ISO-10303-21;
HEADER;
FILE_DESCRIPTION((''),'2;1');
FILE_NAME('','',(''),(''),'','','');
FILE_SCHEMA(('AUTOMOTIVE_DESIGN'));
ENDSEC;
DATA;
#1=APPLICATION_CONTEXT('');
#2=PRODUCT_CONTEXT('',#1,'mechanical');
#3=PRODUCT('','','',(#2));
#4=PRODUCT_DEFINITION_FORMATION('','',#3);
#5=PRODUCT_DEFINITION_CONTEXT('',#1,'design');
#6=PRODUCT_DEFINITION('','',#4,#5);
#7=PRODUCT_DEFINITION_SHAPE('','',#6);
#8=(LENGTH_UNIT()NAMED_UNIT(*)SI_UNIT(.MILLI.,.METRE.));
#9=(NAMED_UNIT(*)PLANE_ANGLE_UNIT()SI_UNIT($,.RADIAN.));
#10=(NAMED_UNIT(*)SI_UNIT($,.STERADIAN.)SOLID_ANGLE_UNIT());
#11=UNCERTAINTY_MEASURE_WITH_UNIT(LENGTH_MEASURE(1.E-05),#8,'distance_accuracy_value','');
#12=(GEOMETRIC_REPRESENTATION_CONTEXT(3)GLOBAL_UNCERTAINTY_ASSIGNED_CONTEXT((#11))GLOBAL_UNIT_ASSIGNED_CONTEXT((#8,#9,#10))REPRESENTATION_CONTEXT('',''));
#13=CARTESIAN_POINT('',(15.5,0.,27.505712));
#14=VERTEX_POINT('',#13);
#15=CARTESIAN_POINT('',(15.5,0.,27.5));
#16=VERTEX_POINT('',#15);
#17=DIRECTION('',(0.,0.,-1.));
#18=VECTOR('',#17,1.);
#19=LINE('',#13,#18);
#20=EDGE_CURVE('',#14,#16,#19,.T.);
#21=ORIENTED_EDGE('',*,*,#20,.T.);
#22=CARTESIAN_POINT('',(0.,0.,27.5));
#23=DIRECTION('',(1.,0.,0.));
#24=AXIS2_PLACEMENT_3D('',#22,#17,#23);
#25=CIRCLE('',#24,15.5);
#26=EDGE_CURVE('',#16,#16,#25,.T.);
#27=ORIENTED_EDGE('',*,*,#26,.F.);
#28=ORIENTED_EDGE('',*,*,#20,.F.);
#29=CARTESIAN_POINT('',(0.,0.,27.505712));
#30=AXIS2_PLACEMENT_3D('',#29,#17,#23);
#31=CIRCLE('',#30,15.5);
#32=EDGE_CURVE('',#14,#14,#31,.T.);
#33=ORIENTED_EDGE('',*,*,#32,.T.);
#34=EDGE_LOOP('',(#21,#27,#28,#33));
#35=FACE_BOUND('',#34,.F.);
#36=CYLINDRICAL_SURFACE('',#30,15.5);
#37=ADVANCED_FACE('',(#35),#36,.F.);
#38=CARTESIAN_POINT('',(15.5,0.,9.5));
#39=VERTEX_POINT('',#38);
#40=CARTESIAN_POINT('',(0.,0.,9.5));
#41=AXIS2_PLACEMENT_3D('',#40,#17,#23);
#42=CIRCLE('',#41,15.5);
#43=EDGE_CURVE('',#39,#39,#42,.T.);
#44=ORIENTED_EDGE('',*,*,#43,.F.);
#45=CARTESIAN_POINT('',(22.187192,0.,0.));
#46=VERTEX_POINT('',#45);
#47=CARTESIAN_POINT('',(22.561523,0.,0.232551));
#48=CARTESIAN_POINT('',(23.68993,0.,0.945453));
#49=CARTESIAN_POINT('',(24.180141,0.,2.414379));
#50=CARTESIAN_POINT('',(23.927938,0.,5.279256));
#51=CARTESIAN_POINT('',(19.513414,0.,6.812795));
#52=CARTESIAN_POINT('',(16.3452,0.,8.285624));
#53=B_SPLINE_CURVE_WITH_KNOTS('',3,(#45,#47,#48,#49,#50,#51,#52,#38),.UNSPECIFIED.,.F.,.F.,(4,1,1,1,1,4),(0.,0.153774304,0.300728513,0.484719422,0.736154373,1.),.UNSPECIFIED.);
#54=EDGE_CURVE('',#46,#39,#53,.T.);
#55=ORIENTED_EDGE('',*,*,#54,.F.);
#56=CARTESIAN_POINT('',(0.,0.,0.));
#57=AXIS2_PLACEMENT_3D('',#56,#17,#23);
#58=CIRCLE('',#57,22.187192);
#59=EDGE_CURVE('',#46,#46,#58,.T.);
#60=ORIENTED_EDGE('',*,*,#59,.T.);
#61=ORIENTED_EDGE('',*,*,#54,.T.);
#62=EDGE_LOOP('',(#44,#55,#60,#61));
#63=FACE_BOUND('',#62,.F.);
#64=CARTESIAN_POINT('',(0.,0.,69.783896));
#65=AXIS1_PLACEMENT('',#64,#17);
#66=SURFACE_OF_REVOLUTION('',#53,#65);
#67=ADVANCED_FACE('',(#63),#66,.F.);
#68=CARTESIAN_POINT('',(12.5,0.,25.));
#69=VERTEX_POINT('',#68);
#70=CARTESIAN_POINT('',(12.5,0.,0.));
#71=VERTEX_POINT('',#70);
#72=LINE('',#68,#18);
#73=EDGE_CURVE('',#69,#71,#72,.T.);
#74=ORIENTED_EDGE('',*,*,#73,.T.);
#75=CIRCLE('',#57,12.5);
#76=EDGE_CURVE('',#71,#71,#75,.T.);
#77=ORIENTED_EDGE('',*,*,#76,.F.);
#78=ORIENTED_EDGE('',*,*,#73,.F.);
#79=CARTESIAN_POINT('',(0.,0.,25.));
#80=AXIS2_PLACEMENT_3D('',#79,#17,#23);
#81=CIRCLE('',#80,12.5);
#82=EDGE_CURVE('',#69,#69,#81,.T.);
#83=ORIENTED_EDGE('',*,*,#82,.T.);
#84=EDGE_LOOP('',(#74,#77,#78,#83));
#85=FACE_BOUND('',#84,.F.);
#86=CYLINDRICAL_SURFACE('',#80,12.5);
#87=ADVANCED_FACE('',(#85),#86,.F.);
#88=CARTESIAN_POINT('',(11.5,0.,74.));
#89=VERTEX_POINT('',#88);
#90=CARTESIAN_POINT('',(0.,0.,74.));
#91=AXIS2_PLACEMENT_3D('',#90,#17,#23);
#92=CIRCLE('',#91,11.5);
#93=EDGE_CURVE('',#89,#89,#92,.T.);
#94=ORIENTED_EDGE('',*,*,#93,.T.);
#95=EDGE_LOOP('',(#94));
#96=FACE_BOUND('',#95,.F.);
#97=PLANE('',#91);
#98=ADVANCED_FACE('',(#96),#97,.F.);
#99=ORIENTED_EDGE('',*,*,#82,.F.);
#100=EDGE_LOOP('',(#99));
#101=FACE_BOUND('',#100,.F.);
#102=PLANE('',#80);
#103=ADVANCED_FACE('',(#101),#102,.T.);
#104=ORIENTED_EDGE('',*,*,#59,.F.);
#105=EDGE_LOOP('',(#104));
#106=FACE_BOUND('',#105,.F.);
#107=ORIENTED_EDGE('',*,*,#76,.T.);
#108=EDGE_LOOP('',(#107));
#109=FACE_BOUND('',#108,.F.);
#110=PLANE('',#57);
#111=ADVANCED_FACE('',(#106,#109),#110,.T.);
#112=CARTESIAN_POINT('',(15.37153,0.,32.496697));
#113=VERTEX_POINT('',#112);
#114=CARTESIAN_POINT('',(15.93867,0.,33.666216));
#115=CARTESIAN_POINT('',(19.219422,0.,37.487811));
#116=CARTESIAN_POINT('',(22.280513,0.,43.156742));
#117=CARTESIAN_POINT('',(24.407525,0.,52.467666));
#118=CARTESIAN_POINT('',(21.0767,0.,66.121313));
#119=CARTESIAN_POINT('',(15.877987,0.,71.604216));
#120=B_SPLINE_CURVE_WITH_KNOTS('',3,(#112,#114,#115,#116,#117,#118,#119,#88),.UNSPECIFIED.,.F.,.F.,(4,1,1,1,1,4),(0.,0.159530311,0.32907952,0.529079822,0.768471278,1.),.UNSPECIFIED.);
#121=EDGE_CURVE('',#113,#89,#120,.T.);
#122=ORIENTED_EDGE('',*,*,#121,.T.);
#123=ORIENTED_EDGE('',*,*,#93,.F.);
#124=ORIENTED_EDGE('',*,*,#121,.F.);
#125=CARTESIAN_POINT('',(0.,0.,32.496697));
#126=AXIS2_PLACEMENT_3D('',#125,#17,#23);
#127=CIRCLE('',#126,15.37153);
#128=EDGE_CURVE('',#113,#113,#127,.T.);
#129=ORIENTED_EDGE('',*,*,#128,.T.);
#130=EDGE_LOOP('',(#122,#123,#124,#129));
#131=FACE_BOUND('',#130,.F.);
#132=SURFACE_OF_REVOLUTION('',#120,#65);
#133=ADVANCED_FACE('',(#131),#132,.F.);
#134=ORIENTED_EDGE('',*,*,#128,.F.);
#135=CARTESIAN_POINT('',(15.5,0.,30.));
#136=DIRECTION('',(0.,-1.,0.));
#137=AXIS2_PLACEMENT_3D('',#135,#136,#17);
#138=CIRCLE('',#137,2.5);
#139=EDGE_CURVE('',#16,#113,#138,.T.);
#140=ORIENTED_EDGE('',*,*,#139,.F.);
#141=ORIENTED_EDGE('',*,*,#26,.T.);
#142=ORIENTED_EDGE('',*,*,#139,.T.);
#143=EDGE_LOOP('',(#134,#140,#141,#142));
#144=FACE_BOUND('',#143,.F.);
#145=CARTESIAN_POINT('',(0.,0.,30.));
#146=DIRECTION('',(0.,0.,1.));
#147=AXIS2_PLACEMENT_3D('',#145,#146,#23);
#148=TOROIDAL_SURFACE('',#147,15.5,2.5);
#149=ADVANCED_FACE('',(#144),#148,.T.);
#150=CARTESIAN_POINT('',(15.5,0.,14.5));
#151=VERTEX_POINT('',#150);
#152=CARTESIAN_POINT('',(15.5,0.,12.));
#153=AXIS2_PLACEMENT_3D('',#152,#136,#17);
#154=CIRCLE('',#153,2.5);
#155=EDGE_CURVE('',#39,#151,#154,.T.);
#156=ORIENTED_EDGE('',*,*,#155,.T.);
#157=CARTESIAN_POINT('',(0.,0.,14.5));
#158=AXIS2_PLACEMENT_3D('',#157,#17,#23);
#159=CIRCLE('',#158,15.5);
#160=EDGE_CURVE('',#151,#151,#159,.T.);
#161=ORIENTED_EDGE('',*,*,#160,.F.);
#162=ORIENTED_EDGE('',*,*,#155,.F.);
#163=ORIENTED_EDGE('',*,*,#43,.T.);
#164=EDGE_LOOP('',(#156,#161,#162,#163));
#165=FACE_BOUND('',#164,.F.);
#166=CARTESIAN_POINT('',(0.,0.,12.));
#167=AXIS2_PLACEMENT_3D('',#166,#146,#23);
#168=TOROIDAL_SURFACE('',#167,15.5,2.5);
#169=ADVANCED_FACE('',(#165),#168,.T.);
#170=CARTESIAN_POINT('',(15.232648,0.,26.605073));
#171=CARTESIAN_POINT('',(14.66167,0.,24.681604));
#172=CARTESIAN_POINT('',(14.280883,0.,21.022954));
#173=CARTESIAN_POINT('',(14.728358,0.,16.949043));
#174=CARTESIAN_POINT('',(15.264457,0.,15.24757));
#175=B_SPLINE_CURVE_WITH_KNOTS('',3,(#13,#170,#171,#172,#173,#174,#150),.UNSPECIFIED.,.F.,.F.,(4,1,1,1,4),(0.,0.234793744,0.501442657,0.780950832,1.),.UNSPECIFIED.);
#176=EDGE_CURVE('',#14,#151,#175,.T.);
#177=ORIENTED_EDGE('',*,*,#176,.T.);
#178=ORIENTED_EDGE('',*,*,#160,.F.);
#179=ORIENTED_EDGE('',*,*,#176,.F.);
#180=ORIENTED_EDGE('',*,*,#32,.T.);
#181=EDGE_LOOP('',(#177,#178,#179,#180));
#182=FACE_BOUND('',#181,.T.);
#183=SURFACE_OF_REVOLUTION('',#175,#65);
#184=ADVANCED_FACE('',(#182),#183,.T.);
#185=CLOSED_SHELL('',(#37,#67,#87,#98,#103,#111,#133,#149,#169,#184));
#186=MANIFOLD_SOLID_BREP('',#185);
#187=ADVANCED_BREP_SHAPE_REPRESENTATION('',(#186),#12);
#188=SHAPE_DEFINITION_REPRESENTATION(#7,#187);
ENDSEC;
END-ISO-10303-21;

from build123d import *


with BuildPart() as f1:
    # F0 (on Front) → F1 (revolve)
    with BuildSketch(Plane.XZ):
        with BuildLine():
            Line((15.5, 27.5057116947), (15.5, 27.5))
            ThreePointArc((15.5, 27.5), (17.9991740891, 30.0642563011), (15.3715298538, 32.4966969022))
            add(Edge.make_bspline(
                [(15.3715298538, 32.4966969022), (15.9386695207, 33.6662155254), (19.2194224752, 37.4878109651), (22.2805130067, 43.1567415406), (24.4075251322, 52.4676664418), (21.0766995407, 66.121313167), (15.8779870532, 71.6042161228), (11.5, 74)],
                knots=[0, 0, 0, 0, 0.1595303107, 0.3290795204, 0.5290798225, 0.7684712784, 1, 1, 1, 1], degree=3))
            Line((11.5, 74), (0, 74))
            Line((0, 74), (0, 65.5677914619))
            Line((0, 65.5677914619), (0, 31.6582173109))
            Line((0, 31.6582173109), (0, 25))
            Line((0, 25), (12.5, 25))
            Line((12.5, 25), (12.5, 0))
            Line((12.5, 0), (22.187191993, 0))
            add(Edge.make_bspline(
                [(22.187191993, 0), (22.561523141, 0.2325509075), (23.6899295742, 0.9454527838), (24.1801412843, 2.414378847), (23.9279381516, 5.2792555504), (19.5134140619, 6.8127949495), (16.3451998628, 8.2856238036), (15.5, 9.5)],
                knots=[0, 0, 0, 0, 0.1537743037, 0.3007285128, 0.4847194217, 0.7361543726, 1, 1, 1, 1], degree=3))
            ThreePointArc((15.5, 9.5), (18, 12), (15.5, 14.5))
            add(Edge.make_bspline(
                [(15.5, 27.5057116947), (15.2326475749, 26.6050733381), (14.6616702217, 24.6816043262), (14.2808830032, 21.0229538702), (14.7283583539, 16.94904279), (15.2644566233, 15.2475695633), (15.5, 14.5)],
                knots=[0, 0, 0, 0, 0.2347937438, 0.5014426568, 0.7809508316, 1, 1, 1, 1], degree=3))
        make_face()
    revolve(axis=Axis((0, 0, 69.783895731), (0, 0, -1)))


solid = f1.part
